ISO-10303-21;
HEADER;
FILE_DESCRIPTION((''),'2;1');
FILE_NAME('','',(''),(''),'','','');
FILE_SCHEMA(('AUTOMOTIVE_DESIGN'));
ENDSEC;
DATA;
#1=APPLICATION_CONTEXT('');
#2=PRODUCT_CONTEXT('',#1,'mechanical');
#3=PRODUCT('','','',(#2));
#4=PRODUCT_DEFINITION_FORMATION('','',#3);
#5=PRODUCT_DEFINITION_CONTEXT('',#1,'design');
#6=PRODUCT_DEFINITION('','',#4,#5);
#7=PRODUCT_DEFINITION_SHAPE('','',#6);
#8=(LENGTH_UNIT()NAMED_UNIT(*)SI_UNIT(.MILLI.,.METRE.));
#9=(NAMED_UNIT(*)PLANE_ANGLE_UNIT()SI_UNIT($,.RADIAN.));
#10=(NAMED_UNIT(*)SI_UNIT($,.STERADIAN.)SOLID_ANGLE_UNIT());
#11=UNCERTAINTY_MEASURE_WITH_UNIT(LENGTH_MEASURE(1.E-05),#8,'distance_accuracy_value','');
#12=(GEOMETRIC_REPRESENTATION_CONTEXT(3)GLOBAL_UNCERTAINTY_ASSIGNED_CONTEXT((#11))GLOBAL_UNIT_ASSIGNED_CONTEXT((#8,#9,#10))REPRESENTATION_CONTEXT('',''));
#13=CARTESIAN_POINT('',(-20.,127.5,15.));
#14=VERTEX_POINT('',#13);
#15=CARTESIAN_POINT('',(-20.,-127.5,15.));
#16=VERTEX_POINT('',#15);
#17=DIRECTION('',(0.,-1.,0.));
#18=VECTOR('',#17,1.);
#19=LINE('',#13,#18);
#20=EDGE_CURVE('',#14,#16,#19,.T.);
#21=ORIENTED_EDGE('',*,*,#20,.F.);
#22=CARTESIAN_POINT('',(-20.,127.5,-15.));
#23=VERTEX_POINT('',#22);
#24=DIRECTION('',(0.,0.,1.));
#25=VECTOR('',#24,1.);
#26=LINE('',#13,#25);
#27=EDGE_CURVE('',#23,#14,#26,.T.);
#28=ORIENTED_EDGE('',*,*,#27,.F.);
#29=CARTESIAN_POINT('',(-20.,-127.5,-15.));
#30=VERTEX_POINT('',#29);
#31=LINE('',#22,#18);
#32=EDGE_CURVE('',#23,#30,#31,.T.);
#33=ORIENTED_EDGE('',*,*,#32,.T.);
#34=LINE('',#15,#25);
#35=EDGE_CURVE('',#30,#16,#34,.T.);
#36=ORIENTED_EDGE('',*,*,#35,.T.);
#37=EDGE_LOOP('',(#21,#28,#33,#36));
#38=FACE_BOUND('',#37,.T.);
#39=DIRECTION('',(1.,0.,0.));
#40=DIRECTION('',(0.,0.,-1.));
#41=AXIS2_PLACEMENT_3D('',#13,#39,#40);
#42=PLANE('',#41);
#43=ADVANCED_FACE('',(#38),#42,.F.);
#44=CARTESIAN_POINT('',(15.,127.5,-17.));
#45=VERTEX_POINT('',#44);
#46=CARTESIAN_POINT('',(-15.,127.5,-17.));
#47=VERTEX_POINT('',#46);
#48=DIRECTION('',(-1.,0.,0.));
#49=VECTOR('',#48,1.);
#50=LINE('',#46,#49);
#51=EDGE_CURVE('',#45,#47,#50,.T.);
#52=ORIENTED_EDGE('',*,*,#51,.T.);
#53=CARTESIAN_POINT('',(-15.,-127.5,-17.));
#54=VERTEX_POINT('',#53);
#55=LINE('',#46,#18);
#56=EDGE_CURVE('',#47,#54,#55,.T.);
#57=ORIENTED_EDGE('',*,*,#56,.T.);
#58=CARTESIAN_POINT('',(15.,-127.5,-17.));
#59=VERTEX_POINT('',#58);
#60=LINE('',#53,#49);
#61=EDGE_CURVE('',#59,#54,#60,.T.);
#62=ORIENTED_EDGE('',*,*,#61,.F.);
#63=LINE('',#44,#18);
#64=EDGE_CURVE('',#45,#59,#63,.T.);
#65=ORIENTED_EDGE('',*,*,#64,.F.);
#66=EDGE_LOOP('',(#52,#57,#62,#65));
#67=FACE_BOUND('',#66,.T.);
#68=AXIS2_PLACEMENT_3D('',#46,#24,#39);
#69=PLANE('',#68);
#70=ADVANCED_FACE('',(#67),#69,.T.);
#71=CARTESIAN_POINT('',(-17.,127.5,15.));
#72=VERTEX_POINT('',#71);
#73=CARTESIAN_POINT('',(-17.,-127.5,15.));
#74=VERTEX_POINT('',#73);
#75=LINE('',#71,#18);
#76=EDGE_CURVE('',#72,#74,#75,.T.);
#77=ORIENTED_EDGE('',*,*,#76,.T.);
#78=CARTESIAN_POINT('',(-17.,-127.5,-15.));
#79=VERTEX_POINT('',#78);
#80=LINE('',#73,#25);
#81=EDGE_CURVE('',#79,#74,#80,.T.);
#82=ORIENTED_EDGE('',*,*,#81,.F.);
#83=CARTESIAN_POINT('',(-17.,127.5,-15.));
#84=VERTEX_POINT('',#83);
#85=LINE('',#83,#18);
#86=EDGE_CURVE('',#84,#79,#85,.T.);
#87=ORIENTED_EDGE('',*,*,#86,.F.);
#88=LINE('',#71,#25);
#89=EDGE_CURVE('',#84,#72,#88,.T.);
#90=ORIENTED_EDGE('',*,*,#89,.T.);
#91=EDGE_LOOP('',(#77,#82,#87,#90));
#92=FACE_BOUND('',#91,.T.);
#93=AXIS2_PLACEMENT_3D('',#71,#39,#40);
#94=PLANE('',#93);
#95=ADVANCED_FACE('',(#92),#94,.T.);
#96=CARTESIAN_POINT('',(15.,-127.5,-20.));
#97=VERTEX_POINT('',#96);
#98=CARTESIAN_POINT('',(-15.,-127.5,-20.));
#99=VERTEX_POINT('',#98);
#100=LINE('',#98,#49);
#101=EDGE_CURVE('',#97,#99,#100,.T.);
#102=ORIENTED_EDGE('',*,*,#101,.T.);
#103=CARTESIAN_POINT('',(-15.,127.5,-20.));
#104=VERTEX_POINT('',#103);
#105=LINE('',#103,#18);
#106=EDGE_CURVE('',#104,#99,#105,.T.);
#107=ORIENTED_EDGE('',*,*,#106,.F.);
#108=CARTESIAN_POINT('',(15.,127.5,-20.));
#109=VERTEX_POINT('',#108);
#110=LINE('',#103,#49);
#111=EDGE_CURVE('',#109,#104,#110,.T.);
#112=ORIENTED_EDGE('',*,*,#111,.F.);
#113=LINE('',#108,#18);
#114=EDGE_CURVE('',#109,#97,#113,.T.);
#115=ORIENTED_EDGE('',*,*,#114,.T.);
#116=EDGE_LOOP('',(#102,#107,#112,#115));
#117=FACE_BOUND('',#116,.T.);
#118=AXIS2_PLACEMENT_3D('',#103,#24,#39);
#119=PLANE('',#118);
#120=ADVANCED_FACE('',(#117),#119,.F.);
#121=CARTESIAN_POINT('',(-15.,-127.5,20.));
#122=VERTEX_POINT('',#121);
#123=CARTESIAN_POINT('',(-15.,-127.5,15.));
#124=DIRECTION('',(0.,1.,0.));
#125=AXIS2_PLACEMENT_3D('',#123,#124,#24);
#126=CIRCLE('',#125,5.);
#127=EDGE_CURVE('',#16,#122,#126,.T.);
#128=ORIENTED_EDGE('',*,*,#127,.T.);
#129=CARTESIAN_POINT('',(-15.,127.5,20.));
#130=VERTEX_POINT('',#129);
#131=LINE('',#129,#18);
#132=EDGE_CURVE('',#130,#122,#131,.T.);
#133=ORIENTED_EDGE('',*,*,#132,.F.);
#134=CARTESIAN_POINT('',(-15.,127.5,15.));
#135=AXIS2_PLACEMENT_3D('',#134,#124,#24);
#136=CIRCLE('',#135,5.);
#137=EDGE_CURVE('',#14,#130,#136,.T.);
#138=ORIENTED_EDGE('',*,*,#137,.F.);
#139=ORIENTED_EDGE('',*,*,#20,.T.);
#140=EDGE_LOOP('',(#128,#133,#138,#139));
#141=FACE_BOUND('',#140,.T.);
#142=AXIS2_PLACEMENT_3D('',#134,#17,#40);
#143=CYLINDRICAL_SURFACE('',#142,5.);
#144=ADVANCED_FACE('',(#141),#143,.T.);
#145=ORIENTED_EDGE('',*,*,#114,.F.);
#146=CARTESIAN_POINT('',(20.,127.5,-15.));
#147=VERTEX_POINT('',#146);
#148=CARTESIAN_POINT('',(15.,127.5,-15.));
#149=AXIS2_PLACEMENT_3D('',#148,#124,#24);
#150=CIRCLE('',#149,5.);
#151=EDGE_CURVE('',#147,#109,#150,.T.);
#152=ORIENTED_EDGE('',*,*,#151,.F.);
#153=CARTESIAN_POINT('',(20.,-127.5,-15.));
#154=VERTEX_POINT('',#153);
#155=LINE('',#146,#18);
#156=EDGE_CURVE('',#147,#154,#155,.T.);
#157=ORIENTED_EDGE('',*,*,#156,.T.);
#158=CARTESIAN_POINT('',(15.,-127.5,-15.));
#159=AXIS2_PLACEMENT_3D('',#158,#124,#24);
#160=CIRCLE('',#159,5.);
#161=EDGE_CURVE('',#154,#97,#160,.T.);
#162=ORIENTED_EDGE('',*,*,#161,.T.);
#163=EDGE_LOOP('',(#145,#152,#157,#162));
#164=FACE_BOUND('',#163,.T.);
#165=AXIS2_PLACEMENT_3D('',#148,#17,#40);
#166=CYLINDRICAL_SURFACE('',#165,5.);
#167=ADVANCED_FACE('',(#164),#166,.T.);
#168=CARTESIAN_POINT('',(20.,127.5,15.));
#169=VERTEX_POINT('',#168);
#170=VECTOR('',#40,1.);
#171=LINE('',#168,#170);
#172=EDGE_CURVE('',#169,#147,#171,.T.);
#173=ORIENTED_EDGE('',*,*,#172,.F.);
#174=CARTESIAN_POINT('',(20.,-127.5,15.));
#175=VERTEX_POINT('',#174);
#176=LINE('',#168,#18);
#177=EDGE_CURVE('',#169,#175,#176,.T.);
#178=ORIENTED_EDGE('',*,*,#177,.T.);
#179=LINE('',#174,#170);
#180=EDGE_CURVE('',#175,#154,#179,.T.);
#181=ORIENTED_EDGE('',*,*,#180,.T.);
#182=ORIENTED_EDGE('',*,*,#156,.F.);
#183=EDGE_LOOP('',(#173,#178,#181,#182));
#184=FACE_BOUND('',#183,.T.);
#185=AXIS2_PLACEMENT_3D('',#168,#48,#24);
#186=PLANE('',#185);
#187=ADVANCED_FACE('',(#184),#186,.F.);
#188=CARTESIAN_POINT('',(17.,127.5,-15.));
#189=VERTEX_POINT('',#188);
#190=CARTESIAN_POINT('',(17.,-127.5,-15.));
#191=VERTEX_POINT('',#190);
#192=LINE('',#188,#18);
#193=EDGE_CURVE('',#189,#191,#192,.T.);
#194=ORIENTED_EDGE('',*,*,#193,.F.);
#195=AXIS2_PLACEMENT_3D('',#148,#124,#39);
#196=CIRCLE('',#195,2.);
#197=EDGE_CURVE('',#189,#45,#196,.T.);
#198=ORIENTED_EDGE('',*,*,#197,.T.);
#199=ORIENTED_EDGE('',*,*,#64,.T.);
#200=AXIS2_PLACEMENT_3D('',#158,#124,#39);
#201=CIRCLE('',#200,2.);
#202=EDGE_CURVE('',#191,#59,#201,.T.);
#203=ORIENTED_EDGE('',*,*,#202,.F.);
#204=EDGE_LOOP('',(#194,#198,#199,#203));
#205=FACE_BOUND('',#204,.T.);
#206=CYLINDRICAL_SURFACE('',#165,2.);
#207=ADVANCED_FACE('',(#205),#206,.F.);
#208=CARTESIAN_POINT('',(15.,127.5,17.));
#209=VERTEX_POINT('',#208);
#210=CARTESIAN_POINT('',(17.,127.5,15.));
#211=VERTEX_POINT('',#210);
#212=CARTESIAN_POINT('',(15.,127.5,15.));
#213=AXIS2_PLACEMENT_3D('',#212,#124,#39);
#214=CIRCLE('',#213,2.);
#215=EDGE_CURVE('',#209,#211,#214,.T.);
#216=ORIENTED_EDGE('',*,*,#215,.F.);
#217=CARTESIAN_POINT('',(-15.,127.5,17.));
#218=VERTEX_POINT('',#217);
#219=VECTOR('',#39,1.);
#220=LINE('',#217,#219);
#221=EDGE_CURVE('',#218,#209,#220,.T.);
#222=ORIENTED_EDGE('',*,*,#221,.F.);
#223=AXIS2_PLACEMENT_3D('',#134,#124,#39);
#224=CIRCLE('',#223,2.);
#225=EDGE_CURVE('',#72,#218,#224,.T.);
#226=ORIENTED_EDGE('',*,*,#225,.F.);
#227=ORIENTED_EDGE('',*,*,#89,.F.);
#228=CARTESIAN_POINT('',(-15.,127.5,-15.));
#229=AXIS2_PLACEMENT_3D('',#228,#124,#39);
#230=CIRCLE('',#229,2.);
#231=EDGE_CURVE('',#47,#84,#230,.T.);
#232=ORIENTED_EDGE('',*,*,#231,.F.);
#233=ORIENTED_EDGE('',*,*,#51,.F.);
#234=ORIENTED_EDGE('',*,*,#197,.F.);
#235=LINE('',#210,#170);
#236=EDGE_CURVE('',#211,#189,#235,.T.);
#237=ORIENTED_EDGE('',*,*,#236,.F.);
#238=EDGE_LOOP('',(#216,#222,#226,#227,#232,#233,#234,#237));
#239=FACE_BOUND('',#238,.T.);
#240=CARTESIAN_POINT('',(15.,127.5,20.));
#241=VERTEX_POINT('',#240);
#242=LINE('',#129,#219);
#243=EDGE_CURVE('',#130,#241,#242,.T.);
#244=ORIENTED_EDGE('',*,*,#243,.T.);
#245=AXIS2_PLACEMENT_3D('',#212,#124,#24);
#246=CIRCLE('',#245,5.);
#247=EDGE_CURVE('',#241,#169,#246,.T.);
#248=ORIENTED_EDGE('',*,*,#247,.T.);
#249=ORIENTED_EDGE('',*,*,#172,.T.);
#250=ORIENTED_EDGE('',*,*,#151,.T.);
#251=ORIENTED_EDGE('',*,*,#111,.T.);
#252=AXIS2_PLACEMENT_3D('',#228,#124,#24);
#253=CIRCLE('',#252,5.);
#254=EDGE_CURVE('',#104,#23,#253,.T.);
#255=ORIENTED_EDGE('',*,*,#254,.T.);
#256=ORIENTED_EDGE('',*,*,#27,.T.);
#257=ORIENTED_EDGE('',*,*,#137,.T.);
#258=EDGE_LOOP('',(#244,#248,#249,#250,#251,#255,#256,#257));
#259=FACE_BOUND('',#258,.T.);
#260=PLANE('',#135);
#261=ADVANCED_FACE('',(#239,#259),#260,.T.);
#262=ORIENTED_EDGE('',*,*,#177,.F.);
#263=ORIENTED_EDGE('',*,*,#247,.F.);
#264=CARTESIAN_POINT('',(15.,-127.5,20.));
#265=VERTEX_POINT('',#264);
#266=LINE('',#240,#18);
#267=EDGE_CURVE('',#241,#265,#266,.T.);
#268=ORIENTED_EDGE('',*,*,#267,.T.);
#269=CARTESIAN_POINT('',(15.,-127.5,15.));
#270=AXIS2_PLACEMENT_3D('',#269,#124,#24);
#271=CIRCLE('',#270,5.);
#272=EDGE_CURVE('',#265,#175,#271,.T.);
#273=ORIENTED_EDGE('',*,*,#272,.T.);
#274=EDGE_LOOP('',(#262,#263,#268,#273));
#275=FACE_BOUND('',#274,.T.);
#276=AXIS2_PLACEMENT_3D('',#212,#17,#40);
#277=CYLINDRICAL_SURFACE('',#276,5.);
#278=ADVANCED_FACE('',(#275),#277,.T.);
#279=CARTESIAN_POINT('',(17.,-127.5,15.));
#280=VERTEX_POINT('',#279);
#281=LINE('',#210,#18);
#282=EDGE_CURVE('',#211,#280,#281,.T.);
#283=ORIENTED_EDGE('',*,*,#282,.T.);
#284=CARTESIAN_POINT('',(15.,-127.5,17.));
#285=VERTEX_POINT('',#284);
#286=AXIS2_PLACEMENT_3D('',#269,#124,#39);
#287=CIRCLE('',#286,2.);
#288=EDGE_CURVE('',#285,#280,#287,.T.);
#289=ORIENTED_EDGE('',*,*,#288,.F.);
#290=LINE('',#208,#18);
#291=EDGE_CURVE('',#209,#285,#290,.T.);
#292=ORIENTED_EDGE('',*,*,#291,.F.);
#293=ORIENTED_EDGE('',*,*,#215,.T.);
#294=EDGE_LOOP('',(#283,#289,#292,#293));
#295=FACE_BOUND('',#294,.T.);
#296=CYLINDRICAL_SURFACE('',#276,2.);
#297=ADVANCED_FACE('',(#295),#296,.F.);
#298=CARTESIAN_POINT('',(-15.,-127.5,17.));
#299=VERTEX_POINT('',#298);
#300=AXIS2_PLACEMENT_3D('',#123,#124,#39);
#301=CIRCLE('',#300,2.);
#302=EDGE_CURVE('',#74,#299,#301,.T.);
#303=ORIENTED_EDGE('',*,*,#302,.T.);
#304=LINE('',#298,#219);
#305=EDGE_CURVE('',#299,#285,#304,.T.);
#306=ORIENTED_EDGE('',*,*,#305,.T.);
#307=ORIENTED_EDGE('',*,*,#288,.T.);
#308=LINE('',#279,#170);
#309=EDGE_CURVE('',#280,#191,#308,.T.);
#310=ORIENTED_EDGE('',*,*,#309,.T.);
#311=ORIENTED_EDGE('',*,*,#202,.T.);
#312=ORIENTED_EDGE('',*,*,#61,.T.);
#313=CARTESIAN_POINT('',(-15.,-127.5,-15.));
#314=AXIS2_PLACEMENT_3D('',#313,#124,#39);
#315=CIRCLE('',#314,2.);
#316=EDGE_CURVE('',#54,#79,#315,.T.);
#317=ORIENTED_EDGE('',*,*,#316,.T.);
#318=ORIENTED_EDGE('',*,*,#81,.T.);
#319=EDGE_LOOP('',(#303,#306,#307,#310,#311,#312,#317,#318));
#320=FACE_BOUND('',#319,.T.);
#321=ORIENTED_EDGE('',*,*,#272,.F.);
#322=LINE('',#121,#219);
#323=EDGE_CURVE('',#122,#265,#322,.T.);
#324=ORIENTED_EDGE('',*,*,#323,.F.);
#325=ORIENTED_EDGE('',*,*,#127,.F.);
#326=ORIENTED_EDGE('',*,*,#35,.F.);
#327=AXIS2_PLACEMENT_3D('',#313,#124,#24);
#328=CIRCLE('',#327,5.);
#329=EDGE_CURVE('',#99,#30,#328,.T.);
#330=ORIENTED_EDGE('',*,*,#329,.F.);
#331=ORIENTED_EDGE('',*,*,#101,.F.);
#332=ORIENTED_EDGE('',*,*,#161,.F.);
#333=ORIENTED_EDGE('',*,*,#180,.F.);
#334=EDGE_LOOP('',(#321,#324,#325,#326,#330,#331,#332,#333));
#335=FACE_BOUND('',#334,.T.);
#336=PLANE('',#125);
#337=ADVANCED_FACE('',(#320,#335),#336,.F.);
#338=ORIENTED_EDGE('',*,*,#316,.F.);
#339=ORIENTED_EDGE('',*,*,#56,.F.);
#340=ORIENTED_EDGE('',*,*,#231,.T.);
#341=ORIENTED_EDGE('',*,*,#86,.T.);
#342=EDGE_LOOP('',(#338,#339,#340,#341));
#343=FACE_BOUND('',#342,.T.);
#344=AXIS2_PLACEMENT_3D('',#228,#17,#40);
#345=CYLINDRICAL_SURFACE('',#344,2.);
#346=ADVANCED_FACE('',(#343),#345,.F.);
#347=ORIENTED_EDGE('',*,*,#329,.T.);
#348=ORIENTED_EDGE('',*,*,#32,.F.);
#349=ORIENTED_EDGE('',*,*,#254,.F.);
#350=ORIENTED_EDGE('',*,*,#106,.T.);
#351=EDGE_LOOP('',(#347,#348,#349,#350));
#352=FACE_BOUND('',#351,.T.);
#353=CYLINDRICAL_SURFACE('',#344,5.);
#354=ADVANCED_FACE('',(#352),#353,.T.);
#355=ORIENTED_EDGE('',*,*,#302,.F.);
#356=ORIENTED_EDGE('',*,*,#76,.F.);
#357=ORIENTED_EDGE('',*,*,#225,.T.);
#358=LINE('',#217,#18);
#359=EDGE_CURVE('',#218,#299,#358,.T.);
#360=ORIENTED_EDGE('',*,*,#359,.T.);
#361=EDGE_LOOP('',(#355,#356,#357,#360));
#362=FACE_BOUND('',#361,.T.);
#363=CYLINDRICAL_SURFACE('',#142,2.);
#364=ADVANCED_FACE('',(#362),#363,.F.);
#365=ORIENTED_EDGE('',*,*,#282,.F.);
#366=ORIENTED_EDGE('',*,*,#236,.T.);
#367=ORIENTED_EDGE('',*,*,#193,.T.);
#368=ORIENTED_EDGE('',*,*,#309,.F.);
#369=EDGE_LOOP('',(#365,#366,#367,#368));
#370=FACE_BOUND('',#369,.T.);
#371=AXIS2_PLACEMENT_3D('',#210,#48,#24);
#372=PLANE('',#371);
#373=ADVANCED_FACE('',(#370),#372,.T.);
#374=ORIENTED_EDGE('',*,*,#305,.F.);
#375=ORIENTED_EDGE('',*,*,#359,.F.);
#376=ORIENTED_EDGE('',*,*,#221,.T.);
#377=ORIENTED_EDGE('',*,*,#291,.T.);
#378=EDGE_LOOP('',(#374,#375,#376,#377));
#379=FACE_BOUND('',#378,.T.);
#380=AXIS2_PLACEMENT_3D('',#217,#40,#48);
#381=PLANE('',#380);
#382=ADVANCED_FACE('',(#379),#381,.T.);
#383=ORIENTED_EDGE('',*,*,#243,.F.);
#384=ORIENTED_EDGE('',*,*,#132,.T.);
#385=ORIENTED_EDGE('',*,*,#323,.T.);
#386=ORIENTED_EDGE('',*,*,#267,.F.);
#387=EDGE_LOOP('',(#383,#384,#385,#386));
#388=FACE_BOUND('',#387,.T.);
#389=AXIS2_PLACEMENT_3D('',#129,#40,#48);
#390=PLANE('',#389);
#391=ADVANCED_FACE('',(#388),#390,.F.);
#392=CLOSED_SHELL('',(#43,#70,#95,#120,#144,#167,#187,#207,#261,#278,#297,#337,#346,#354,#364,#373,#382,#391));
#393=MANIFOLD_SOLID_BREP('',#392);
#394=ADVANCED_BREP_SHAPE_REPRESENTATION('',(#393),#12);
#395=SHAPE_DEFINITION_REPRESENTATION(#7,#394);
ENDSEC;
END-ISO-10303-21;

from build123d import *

# Parameters (mm, degrees)
EXTRUDE_THIN1_DEPTH = 127.5


with BuildPart() as part:
    # Sketch1 → Extrude-Thin1 (new, symmetric)
    with BuildSketch(Plane(origin=(0, 0, 0), x_dir=(1, 0, 0), z_dir=(0, 1, 0))):
        with BuildLine():
            Line((-20, 15), (-20, -15))
            ThreePointArc((-20, -15), (-18.535533906, -18.535533906), (-15, -20))
            Line((-15, -20), (15, -20))
            ThreePointArc((15, -20), (18.535533906, -18.535533906), (20, -15))
            Line((20, -15), (20, 15))
            ThreePointArc((20, 15), (18.535533906, 18.535533906), (15, 20))
            Line((15, 20), (-15, 20))
            ThreePointArc((-15, 20), (-18.535533906, 18.535533906), (-20, 15))
        make_face()
        with BuildLine():
            Line((-17, 15), (-17, -15))
            ThreePointArc((-17, -15), (-16.414213562, -16.414213562), (-15, -17))
            Line((-15, -17), (15, -17))
            ThreePointArc((15, -17), (16.414213562, -16.414213562), (17, -15))
            Line((17, -15), (17, 15))
            ThreePointArc((17, 15), (16.414213562, 16.414213562), (15, 17))
            Line((15, 17), (-15, 17))
            ThreePointArc((-15, 17), (-16.414213562, 16.414213562), (-17, 15))
        make_face(mode=Mode.SUBTRACT)
    extrude(amount=EXTRUDE_THIN1_DEPTH, both=True)


solid = part.part
